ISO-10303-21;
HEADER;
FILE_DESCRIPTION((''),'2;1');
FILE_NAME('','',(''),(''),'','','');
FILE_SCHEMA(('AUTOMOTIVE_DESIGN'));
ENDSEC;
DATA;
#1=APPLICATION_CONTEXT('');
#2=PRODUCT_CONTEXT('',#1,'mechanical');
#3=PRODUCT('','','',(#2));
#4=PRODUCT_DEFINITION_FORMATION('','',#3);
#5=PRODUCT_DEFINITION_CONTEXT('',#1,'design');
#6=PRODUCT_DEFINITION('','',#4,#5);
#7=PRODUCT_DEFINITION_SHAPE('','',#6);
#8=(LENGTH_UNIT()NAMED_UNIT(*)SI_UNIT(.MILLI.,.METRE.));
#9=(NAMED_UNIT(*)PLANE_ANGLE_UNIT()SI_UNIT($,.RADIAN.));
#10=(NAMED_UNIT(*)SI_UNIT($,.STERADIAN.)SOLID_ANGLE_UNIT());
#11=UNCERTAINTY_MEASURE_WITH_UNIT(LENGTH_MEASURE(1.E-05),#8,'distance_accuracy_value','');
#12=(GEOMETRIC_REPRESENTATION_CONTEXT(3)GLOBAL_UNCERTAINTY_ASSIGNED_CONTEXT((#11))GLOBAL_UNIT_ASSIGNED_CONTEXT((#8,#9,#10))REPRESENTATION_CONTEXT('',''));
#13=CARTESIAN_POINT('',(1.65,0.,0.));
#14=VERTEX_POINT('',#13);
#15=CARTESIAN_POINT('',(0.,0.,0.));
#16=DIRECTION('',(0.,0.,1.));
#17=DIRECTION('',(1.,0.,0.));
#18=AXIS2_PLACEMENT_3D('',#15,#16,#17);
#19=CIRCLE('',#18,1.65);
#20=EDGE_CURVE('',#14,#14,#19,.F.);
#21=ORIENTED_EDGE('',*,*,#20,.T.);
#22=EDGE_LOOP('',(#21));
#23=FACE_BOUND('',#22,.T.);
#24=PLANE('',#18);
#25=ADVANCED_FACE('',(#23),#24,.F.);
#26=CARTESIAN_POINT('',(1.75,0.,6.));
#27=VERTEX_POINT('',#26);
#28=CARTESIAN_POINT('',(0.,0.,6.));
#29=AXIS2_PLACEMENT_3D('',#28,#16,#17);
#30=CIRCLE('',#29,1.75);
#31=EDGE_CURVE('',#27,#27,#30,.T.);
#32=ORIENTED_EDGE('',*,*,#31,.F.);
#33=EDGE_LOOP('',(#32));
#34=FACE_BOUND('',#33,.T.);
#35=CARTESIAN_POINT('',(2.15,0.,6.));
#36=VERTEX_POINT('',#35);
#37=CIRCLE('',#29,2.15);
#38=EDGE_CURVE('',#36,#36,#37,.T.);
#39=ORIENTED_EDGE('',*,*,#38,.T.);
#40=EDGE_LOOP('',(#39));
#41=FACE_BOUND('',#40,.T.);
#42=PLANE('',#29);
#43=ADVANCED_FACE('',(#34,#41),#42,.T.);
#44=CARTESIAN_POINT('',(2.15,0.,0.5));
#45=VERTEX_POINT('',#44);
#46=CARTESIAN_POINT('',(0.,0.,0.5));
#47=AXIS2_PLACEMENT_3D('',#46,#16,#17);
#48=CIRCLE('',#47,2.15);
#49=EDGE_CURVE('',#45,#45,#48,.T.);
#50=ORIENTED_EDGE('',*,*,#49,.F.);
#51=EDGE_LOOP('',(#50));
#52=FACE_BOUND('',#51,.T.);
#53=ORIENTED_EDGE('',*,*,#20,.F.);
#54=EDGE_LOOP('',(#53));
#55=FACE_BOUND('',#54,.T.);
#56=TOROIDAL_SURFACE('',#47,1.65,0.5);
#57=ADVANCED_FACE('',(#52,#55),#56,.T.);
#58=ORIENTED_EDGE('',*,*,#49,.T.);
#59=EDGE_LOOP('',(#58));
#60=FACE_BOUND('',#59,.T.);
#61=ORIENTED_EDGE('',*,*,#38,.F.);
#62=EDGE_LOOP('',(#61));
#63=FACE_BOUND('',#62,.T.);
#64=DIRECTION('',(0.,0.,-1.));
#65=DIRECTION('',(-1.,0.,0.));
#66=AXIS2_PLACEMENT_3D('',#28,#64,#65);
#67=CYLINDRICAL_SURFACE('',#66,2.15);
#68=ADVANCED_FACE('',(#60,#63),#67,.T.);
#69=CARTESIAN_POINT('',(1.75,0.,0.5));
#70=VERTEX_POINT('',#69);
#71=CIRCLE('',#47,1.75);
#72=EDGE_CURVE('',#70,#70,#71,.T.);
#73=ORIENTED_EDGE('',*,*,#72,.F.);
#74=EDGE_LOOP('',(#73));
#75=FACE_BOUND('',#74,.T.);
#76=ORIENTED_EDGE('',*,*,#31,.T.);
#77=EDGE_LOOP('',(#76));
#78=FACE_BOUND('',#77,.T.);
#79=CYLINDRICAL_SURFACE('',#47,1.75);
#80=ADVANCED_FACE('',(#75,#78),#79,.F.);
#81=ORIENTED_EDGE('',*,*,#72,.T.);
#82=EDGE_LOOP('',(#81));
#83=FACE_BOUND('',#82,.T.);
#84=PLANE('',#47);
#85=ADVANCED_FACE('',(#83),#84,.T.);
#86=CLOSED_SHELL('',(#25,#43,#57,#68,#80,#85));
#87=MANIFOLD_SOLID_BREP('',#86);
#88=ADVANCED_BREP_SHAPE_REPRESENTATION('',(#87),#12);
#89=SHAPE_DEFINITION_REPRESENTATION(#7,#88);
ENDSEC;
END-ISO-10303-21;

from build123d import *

# Parameters (mm, degrees)
SKETCH1_R           = 2.15
BOSS_EXTRUDE1_DEPTH = 6
SKETCH2_R           = 1.75
CUT_EXTRUDE1_DEPTH  = 5.5
FILLET1_R           = 0.5


with BuildPart() as part:
    # Sketch1 → Boss-Extrude1 (new body)
    with BuildSketch(Plane.XY):
        Circle(SKETCH1_R)
    extrude(amount=BOSS_EXTRUDE1_DEPTH)

    # Sketch2 → Cut-Extrude1 (cut)
    with BuildSketch(Plane.XY.offset(6)):
        Circle(SKETCH2_R)
    extrude(amount=-CUT_EXTRUDE1_DEPTH, mode=Mode.SUBTRACT)

    # Fillet1
    fillet1_edges = [part.edges().sort_by_distance(p)[0] for p in [
        (-2.15, 0, 0),
    ]]
    fillet(fillet1_edges, radius=FILLET1_R)


solid = part.part
